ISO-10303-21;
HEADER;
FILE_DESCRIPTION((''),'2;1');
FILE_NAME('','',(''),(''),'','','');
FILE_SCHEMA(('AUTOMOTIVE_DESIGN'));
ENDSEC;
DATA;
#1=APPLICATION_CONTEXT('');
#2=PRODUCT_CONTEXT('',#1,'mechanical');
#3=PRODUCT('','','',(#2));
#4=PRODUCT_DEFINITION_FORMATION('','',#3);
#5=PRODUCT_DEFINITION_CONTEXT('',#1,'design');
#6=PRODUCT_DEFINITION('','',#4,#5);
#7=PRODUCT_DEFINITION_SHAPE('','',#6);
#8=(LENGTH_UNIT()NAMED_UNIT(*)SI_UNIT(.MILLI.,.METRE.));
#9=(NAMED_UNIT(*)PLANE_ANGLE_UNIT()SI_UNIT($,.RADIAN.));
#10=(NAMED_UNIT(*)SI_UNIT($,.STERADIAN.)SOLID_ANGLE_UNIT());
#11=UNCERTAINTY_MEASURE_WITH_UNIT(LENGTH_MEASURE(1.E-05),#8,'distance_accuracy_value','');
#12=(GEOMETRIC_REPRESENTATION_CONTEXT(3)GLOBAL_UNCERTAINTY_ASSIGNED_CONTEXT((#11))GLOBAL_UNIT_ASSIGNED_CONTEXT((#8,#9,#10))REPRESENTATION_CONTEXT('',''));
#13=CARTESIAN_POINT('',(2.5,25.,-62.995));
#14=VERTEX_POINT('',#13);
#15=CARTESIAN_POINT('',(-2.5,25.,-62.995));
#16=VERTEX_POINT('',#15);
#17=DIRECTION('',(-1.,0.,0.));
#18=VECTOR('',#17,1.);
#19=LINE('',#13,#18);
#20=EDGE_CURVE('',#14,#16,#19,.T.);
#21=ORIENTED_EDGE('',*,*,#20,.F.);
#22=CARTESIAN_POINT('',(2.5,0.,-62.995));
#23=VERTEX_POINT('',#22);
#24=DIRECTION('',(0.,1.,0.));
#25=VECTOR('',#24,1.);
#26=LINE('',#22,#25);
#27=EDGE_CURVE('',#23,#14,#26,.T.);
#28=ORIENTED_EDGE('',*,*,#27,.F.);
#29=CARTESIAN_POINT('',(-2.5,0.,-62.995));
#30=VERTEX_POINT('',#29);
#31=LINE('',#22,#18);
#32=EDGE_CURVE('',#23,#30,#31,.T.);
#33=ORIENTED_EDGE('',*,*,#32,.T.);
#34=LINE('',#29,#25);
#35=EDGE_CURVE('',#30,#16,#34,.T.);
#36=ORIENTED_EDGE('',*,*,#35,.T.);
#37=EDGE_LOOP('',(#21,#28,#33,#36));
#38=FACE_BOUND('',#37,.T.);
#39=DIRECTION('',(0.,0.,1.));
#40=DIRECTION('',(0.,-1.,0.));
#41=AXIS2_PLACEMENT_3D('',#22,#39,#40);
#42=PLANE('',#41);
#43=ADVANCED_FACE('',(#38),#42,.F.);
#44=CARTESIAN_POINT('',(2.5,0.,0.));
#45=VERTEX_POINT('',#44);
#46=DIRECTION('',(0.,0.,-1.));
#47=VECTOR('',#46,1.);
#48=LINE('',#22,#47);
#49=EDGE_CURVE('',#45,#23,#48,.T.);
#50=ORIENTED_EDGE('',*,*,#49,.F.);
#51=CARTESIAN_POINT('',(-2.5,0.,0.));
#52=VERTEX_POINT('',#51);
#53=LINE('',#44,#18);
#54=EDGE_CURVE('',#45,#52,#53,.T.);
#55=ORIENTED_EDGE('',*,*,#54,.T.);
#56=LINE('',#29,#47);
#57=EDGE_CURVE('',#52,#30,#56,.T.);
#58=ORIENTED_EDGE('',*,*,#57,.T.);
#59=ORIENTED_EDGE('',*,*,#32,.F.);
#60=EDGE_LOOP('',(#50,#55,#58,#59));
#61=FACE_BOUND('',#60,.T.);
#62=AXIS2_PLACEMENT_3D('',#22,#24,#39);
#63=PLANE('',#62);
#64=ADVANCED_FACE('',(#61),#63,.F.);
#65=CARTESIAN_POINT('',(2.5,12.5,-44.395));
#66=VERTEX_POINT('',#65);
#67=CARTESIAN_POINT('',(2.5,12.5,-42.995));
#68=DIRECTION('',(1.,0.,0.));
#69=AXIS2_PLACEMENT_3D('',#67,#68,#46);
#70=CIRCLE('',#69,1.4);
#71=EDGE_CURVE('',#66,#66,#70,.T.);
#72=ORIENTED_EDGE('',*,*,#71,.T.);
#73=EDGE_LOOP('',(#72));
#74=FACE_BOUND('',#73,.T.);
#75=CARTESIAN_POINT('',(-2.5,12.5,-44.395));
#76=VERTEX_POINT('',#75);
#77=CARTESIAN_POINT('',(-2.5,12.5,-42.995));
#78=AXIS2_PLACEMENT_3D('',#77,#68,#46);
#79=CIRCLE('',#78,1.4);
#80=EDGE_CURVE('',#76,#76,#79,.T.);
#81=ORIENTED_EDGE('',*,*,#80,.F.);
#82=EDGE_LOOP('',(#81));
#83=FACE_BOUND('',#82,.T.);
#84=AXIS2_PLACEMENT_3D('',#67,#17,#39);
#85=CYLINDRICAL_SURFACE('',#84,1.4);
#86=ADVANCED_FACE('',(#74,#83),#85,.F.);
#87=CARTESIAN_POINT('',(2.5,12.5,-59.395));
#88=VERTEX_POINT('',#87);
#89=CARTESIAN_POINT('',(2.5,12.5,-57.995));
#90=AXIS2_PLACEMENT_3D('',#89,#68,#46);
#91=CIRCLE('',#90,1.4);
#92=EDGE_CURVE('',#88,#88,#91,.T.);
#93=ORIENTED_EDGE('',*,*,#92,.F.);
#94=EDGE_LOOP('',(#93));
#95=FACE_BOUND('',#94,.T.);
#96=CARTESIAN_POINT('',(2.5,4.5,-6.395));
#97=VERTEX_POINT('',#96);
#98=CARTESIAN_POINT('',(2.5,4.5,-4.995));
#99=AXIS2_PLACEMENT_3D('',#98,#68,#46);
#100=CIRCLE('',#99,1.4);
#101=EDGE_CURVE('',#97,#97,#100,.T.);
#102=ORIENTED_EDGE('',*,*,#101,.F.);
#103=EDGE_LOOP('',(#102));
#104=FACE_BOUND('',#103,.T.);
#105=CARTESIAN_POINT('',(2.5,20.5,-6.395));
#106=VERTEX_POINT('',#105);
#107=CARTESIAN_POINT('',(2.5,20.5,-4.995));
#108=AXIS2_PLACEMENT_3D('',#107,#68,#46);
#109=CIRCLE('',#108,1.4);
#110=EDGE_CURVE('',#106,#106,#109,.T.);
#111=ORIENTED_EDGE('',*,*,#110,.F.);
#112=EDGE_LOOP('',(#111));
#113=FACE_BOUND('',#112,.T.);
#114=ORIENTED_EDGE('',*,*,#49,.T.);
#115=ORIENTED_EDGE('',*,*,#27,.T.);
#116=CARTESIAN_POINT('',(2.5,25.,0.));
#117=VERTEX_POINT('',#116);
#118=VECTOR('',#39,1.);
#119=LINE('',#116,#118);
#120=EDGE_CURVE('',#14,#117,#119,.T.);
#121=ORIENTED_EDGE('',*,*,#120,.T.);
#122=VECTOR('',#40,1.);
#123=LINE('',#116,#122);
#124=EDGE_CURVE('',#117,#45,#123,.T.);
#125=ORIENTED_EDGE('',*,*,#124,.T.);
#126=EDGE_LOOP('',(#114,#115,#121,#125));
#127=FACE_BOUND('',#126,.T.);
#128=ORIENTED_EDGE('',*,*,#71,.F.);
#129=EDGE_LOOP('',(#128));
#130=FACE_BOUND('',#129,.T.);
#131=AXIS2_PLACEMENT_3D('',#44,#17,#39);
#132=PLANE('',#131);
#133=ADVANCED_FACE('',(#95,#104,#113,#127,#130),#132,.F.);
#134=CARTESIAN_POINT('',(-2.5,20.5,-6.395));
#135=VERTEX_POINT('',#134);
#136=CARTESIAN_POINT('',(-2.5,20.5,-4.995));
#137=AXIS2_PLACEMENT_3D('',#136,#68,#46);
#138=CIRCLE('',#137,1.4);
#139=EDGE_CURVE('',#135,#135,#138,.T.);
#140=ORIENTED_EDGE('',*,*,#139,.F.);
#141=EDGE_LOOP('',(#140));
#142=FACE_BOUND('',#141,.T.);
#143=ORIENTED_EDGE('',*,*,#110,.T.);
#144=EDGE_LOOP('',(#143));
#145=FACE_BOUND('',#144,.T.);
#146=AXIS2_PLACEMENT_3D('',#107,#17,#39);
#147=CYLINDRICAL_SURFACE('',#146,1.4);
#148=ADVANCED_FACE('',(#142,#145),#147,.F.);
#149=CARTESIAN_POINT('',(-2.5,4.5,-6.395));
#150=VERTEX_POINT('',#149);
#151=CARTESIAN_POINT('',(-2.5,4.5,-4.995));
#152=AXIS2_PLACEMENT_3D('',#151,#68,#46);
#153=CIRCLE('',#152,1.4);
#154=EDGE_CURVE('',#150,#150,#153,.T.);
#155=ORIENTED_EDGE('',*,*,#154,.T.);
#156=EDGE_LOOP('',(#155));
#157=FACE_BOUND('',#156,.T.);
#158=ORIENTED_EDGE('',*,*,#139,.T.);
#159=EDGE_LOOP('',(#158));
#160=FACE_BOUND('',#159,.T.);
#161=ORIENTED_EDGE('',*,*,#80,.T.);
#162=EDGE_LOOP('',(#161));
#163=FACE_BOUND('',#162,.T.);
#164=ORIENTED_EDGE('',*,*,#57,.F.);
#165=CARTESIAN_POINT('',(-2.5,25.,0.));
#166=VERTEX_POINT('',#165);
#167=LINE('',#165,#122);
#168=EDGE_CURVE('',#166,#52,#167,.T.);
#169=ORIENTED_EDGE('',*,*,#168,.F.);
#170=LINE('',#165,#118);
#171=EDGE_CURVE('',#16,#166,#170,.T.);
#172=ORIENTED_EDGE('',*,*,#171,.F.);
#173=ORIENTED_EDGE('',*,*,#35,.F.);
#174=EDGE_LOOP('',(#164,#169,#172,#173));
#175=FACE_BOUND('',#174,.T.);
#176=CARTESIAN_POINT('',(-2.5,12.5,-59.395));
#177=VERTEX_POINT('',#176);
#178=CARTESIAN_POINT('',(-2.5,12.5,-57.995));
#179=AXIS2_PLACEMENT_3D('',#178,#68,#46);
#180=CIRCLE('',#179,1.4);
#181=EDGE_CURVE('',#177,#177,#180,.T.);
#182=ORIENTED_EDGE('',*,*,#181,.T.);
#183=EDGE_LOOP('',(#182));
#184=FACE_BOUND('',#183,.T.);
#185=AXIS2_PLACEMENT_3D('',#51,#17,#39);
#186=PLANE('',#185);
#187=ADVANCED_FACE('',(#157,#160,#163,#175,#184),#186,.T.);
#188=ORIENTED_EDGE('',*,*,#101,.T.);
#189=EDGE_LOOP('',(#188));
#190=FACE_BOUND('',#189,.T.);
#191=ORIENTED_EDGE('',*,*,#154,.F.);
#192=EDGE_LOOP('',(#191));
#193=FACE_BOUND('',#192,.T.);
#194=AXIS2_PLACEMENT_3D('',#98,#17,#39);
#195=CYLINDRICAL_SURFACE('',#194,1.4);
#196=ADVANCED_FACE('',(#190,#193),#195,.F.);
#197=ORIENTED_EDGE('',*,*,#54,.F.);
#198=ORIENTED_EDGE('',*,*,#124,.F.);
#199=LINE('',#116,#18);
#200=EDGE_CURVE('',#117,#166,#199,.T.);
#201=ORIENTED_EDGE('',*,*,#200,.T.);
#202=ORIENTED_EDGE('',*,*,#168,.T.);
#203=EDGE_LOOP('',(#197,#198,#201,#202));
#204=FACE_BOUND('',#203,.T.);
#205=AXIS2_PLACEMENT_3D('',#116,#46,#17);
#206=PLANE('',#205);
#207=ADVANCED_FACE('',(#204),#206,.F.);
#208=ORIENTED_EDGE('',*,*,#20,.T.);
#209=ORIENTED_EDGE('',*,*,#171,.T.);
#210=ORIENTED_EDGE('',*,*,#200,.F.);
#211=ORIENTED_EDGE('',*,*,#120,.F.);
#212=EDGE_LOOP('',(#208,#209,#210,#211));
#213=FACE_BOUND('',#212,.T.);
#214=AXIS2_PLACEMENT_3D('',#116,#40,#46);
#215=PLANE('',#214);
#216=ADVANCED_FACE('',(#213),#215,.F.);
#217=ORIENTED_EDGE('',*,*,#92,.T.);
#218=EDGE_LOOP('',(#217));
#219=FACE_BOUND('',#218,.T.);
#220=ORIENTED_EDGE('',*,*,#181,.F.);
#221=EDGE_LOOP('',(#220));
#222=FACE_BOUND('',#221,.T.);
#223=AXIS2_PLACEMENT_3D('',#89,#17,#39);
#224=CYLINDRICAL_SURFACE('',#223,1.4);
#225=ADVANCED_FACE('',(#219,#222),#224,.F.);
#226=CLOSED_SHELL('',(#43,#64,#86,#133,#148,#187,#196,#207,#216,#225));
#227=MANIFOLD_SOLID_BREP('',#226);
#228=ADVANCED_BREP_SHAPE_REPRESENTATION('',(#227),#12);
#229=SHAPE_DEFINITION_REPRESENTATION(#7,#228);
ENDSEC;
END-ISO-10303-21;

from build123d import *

# Parameters (mm, degrees)
SKETCH_1_W      = 62.995
SKETCH_1_H      = 25
SKETCH_1_R      = 1.4
EXTRUDE_1_DEPTH = 2.5


with BuildPart() as part:
    # 草图1 → 凸台-拉伸1 (new body, symmetric)
    with BuildSketch(Plane(origin=(0, 0, 0), x_dir=(0, 0, -1), z_dir=(1, 0, 0))):
        with Locations((31.4975, 12.5)):
            Rectangle(SKETCH_1_W, SKETCH_1_H)
        with Locations((4.995, 4.5)):
            Circle(SKETCH_1_R, mode=Mode.SUBTRACT)
        with Locations((4.995, 20.5)):
            Circle(SKETCH_1_R, mode=Mode.SUBTRACT)
        with Locations((42.995, 12.5)):
            Circle(SKETCH_1_R, mode=Mode.SUBTRACT)
        with Locations((57.995, 12.5)):
            Circle(SKETCH_1_R, mode=Mode.SUBTRACT)
    extrude(amount=EXTRUDE_1_DEPTH, both=True)


solid = part.part
